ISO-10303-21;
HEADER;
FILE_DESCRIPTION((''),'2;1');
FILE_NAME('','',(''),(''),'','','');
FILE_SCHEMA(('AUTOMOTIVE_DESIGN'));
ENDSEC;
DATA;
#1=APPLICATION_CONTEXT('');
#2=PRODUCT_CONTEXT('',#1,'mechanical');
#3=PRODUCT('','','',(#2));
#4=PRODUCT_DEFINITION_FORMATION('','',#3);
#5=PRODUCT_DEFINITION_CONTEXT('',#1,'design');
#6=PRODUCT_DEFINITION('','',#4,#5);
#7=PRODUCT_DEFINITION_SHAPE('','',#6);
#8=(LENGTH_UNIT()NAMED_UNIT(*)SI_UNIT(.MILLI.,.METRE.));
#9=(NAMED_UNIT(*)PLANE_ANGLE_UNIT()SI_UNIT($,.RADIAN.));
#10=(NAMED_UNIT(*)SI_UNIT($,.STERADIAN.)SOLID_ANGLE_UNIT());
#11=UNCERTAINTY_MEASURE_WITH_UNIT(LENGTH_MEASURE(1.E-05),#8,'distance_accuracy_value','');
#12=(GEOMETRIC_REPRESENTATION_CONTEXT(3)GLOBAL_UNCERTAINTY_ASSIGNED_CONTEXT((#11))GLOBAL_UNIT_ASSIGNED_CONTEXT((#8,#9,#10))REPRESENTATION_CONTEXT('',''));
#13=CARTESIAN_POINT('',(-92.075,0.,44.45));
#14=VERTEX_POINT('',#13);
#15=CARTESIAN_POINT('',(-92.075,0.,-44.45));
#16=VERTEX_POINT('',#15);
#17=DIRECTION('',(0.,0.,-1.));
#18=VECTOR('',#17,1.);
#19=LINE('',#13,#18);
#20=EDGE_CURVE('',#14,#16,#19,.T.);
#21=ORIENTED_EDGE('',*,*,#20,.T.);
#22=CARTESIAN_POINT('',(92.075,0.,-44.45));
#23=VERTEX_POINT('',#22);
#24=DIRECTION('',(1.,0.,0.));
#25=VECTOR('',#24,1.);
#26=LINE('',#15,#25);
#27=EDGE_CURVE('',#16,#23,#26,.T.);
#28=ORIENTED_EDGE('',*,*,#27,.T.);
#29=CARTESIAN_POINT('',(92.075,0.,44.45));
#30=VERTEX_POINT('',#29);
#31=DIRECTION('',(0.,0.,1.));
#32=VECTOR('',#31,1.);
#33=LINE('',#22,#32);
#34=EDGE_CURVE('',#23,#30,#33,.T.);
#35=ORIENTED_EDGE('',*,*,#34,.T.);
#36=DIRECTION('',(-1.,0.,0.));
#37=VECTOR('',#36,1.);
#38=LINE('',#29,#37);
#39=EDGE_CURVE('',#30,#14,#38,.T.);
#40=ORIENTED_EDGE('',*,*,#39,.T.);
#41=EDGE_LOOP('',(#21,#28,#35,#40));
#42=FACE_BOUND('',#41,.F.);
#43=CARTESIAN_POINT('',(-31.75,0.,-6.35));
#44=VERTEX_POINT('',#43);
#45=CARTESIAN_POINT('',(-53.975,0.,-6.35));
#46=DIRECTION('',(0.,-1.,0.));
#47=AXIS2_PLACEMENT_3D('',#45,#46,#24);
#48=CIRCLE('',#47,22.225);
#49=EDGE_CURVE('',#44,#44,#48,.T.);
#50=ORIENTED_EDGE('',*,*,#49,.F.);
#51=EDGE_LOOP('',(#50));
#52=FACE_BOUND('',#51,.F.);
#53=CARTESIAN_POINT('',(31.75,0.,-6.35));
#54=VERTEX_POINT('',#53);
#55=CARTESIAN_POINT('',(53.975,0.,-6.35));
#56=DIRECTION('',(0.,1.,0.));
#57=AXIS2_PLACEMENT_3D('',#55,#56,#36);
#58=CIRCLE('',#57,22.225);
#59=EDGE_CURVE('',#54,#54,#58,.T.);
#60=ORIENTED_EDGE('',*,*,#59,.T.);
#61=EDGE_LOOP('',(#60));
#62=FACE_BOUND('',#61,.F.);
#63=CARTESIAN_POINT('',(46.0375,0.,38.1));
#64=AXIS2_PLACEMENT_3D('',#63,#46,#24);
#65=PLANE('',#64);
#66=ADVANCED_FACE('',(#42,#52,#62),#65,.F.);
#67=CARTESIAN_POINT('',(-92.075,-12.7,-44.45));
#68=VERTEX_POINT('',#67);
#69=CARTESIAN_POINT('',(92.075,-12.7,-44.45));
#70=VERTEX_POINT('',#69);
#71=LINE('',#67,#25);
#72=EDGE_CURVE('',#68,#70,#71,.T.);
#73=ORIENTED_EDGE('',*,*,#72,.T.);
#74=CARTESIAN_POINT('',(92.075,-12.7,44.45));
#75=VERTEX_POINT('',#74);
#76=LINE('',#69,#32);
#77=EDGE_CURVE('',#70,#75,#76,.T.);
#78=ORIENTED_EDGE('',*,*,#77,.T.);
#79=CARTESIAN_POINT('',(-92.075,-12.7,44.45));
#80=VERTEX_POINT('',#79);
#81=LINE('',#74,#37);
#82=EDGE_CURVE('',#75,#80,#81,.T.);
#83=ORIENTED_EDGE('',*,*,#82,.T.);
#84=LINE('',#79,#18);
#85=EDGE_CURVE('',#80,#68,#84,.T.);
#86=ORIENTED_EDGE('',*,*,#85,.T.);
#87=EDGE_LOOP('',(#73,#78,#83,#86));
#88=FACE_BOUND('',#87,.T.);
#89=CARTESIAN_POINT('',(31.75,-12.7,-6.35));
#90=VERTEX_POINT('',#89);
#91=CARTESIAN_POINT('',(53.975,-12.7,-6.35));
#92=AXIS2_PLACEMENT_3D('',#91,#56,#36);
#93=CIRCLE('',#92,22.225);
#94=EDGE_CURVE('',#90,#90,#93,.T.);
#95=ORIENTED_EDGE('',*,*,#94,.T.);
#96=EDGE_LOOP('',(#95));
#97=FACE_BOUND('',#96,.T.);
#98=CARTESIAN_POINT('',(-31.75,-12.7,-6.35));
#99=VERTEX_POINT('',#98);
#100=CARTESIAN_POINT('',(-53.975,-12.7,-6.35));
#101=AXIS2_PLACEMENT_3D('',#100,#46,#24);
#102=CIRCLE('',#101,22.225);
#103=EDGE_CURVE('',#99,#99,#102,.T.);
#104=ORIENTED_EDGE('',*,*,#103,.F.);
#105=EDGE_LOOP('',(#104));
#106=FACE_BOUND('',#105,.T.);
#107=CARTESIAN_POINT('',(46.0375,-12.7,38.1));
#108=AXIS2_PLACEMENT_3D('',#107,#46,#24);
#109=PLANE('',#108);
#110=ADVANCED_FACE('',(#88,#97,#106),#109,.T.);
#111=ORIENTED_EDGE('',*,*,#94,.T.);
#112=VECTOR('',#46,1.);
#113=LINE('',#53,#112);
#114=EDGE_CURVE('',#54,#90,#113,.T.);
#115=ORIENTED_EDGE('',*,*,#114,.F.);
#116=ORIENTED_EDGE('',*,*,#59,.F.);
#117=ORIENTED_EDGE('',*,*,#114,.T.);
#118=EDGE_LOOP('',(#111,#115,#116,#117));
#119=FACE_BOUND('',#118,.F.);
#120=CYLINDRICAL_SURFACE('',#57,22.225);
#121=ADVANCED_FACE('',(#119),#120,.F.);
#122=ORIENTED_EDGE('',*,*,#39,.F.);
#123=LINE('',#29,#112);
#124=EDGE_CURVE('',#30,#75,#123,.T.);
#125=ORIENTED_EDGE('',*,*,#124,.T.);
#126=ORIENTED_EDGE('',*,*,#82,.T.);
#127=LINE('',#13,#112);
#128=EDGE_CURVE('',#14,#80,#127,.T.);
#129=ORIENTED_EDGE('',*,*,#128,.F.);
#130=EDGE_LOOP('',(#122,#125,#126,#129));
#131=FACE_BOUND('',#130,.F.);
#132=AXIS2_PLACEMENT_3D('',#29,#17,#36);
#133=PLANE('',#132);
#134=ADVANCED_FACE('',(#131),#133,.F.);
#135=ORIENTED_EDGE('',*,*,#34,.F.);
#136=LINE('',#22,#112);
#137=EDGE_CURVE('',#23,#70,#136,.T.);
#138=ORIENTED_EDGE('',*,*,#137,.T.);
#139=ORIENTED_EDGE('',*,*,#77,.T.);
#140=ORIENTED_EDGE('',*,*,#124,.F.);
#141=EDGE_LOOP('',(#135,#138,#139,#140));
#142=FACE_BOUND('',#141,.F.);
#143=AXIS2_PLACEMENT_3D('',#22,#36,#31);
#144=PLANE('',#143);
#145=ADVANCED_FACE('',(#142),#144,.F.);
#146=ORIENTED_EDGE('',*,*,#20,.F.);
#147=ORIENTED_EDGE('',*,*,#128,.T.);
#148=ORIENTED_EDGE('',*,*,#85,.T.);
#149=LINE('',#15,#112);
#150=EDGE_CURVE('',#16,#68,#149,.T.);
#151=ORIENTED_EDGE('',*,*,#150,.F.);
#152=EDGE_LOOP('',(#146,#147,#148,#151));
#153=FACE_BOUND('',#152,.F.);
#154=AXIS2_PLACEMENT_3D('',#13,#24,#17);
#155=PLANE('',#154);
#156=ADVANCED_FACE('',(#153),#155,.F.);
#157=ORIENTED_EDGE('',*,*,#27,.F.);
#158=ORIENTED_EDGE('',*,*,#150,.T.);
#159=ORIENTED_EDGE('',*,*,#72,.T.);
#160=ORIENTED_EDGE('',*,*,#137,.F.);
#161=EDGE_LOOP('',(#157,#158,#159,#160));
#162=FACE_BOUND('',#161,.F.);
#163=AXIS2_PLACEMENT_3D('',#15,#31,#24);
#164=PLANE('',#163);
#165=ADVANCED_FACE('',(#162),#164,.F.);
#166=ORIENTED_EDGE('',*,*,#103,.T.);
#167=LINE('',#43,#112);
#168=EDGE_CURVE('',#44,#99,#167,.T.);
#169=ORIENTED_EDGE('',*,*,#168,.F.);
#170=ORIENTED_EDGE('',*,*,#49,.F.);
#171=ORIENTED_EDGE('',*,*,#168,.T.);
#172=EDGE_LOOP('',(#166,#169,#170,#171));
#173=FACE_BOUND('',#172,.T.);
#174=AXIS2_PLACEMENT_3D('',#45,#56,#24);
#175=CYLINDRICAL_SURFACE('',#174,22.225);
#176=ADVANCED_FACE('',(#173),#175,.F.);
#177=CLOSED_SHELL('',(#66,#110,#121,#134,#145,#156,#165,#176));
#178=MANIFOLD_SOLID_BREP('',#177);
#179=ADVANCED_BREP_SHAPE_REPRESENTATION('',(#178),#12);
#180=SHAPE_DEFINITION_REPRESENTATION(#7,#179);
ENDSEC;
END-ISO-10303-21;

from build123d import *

# Parameters (mm, degrees)
F0_W     = 92.075
F0_H     = 12.7
F0_R     = 22.225
F1_DEPTH = 12.7


with BuildPart() as f1:
    # F0 (on Front) → F1 (new body)
    with BuildSketch(Plane.XZ):
        with Locations((46.0375, 38.1)):
            Rectangle(F0_W, F0_H)
        with Locations((-46.0375, 38.1)):
            Rectangle(F0_W, F0_H)
        with Locations((-53.975, -6.35)):
            Circle(F0_R)
        with BuildLine():
            ThreePointArc((76.2, -6.35), (53.975, 15.875), (31.75, -6.35))
            ThreePointArc((31.75, -6.35), (53.975, -28.575), (76.2, -6.35))
        make_face()
        Polygon((92.075, -31.75), (92.075, 31.75), (0, 31.75), (-92.075, 31.75), (-92.075, -31.75), (0, -31.75), align=None)
        with Locations((-53.975, -6.35)):
            Circle(F0_R, mode=Mode.SUBTRACT)
        with BuildLine():
            ThreePointArc((76.2, -6.35), (53.975, -28.575), (31.75, -6.35))
            ThreePointArc((31.75, -6.35), (53.975, 15.875), (76.2, -6.35))
        make_face(mode=Mode.SUBTRACT)
        with Locations((46.0375, -38.1)):
            Rectangle(F0_W, F0_H)
        with Locations((-46.0375, -38.1)):
            Rectangle(F0_W, F0_H)
    extrude(amount=F1_DEPTH)


solid = f1.part
